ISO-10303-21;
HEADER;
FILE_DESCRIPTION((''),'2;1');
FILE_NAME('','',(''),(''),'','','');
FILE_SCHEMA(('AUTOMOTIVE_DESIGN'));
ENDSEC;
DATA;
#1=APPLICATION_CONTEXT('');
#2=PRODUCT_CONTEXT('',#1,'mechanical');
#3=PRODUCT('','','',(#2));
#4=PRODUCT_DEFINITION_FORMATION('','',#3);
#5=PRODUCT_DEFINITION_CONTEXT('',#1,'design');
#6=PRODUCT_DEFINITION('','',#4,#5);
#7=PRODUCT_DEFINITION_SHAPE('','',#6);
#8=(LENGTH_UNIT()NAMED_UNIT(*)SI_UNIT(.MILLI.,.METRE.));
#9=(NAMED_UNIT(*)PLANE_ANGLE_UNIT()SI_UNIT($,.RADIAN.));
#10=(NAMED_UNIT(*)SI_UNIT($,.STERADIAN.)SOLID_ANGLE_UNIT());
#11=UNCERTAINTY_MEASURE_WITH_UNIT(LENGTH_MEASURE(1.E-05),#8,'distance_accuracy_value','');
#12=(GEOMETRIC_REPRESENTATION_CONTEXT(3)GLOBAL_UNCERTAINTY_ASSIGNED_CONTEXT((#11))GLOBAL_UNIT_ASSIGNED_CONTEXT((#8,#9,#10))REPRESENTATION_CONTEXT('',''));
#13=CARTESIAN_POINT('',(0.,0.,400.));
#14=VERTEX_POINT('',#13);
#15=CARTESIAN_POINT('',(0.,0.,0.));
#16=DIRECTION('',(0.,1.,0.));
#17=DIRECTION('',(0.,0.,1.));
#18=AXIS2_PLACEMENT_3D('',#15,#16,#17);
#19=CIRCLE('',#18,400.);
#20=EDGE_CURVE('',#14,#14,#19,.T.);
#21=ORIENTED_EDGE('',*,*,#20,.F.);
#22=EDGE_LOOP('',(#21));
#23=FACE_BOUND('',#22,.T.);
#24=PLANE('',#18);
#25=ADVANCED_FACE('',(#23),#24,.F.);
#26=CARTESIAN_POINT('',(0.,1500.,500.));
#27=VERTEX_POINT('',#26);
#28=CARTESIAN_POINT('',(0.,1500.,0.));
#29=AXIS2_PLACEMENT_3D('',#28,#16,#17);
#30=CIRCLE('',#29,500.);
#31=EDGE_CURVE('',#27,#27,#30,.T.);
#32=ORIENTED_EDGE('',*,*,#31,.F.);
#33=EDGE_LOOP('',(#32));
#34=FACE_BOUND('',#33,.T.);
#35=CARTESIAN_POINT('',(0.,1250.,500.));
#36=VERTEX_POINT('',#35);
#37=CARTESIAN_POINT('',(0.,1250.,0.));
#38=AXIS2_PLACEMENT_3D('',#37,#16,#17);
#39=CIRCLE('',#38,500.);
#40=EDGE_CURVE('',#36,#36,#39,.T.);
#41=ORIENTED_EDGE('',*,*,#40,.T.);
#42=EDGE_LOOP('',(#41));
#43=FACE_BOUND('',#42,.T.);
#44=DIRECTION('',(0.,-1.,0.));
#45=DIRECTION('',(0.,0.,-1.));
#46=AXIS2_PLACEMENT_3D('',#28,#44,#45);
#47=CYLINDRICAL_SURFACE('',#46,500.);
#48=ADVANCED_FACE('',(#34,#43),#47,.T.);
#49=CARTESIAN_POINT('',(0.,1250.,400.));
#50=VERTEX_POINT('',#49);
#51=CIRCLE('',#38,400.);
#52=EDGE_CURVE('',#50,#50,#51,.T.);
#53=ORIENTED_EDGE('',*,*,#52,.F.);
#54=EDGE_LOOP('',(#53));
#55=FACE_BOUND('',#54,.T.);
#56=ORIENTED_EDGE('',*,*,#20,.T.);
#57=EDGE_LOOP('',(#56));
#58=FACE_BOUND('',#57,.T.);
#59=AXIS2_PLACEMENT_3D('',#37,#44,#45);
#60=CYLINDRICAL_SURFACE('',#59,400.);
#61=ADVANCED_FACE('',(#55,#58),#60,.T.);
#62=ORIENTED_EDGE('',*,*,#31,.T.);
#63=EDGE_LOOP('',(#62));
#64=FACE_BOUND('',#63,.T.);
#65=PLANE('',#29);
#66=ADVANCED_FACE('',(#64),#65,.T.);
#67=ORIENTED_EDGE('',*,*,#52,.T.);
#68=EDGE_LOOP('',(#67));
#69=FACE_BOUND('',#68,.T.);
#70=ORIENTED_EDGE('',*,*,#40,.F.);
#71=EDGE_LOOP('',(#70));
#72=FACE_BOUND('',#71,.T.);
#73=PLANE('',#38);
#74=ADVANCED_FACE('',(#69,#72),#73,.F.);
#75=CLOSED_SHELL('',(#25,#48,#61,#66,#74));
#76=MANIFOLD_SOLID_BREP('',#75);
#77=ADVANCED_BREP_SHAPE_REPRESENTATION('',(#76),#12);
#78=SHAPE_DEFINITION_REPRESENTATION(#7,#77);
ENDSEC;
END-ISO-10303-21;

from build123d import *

# Parameters (mm, degrees)
SKETCH1_R           = 400
BOSS_EXTRUDE1_DEPTH = 1250
SKETCH2_R           = 500
BOSS_EXTRUDE2_DEPTH = 250


with BuildPart() as part:
    # Sketch1 → Boss-Extrude1 (new body)
    with BuildSketch(Plane(origin=(0, 0, 0), x_dir=(1, 0, 0), z_dir=(0, 1, 0))):
        with Locations(Location((0, 0, 0), (0, 0, 270))):
            Circle(SKETCH1_R)
    extrude(amount=BOSS_EXTRUDE1_DEPTH)

    # Sketch2 → Boss-Extrude2 (add)
    with BuildSketch(Plane(origin=(0, 1250, 0), x_dir=(1, 0, 0), z_dir=(0, 1, 0))):
        with Locations(Location((0, 0, 0), (0, 0, 270))):
            Circle(SKETCH2_R)
    extrude(amount=BOSS_EXTRUDE2_DEPTH)


solid = part.part
